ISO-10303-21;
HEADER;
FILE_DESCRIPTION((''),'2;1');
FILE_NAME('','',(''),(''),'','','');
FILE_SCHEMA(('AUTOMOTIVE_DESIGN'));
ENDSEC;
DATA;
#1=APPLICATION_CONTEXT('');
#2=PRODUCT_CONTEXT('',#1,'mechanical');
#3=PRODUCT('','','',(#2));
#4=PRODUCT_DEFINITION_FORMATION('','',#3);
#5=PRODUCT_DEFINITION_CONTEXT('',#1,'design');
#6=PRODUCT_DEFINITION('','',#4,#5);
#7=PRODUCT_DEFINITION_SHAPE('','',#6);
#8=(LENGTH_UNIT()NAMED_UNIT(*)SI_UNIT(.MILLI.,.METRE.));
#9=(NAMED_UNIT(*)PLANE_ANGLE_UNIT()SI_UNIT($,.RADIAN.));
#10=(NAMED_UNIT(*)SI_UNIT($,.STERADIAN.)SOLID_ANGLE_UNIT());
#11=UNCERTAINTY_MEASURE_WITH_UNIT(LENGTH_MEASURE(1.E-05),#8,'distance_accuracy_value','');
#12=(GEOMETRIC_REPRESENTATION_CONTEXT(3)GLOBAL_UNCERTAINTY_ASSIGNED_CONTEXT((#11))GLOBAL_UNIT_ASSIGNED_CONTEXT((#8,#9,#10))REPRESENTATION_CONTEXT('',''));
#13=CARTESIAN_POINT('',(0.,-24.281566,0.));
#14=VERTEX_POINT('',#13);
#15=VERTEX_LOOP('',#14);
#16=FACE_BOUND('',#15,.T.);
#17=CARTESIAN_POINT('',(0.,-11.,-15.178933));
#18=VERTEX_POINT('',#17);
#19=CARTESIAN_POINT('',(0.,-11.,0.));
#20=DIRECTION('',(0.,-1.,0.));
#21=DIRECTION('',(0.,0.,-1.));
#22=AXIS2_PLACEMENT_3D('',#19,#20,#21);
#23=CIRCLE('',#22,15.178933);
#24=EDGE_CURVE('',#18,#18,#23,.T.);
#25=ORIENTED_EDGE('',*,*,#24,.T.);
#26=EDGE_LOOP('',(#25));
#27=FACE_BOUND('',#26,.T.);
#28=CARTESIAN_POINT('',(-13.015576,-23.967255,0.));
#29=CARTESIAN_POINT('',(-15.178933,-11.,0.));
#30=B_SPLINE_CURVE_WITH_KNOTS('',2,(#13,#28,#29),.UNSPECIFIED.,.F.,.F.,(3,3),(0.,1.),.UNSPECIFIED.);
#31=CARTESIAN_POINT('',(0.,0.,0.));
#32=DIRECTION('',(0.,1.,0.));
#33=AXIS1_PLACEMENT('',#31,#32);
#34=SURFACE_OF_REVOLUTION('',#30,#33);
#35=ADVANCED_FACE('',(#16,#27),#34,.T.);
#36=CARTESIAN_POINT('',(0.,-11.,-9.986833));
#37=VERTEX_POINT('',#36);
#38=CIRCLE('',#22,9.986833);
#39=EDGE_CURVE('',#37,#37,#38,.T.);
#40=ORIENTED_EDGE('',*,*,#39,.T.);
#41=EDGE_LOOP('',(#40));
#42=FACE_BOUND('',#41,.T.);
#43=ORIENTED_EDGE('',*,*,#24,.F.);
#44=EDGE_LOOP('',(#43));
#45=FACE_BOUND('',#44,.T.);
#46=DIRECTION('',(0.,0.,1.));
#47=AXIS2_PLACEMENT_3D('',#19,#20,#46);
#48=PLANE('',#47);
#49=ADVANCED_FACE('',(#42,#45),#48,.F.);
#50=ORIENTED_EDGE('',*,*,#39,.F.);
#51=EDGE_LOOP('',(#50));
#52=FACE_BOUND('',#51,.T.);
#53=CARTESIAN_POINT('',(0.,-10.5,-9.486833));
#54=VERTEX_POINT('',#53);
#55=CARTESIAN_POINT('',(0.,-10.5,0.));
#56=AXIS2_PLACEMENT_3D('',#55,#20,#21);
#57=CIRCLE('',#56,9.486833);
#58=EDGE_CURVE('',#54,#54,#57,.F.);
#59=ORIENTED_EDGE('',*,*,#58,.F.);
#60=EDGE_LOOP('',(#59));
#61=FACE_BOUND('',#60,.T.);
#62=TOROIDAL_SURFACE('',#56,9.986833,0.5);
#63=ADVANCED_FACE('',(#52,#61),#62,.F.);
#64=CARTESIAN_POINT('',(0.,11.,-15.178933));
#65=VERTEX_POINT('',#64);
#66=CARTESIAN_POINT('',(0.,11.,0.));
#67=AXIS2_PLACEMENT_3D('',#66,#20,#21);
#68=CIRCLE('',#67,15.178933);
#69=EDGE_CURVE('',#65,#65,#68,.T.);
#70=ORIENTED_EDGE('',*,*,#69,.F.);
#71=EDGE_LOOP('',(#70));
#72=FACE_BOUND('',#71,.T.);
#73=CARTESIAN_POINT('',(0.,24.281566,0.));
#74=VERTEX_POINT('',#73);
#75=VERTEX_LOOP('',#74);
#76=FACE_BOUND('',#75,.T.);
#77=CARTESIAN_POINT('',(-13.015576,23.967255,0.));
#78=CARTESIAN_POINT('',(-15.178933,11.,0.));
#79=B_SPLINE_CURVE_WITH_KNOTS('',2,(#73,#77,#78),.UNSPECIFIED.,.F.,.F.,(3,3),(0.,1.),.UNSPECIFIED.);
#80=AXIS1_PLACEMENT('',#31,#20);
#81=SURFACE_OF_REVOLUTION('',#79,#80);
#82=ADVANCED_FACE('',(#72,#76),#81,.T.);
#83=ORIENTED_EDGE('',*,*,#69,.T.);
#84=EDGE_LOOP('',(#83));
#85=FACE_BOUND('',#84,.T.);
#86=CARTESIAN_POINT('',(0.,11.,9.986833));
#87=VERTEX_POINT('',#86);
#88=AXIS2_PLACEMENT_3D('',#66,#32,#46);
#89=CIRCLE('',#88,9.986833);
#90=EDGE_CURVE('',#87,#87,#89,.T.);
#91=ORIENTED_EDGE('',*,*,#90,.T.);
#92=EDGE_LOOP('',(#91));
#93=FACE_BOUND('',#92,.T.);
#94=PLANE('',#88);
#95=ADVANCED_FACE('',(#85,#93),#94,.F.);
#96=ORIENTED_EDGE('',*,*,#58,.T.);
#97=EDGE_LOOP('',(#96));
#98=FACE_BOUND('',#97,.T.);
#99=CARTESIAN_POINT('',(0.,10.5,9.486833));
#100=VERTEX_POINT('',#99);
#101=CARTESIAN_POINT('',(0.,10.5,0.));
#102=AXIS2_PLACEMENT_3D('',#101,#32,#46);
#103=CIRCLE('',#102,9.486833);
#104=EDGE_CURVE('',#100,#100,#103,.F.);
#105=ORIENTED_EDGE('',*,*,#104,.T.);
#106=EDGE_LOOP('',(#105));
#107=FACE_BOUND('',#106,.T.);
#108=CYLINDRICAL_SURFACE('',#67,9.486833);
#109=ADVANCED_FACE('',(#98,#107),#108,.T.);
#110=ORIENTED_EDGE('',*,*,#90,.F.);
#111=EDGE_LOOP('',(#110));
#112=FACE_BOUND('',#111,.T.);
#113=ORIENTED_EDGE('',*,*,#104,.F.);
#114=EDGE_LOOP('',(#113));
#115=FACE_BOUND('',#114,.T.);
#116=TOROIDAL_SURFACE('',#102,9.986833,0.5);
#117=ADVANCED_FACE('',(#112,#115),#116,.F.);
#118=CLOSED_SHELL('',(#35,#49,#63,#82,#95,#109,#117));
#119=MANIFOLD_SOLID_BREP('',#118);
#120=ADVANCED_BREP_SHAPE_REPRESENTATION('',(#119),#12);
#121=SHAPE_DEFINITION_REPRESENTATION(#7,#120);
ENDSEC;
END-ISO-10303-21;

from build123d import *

# Parameters (mm, degrees)
SKETCH1_R           = 9.486832981
BOSS_EXTRUDE1_DEPTH = 11
FILLET1_R           = 0.5


with BuildPart() as part:
    # Sketch1 → Boss-Extrude1 (new body)
    with BuildSketch(Plane(origin=(0, 0, 0), x_dir=(1, 0, 0), z_dir=(0, 1, 0))):
        with Locations(Location((0, 0, 0), (0, 0, 270))):
            Circle(SKETCH1_R)
    boss_extrude1 = extrude(amount=BOSS_EXTRUDE1_DEPTH)

    # Sketch2 → Revolve1 (revolve)
    with BuildSketch(Plane.XY):
        with BuildLine():
            Line((0, 24.281566173), (0, 11))
            Line((0, 11), (-15.178932769, 11))
            add(Edge.make_bspline(
                [(0, 24.281566173), (-13.015575695, 23.967255227), (-15.178932769, 11)],
                knots=[0, 0, 0, 1, 1, 1], degree=2))
        make_face()
    revolve1 = revolve(axis=Axis((0, 0, 0), (0, 1, 0)))

    # Mirror1: Boss-Extrude1, Revolve1 across plane
    add(boss_extrude1.mirror(Plane.ZX))
    add(revolve1.mirror(Plane.ZX))

    # Fillet1
    fillet1_edges = [part.edges().sort_by_distance(p)[0] for p in [
        (0, -11, -9.486832981),
        (0, 11, -9.486832981),
    ]]
    fillet(fillet1_edges, radius=FILLET1_R)


solid = part.part
